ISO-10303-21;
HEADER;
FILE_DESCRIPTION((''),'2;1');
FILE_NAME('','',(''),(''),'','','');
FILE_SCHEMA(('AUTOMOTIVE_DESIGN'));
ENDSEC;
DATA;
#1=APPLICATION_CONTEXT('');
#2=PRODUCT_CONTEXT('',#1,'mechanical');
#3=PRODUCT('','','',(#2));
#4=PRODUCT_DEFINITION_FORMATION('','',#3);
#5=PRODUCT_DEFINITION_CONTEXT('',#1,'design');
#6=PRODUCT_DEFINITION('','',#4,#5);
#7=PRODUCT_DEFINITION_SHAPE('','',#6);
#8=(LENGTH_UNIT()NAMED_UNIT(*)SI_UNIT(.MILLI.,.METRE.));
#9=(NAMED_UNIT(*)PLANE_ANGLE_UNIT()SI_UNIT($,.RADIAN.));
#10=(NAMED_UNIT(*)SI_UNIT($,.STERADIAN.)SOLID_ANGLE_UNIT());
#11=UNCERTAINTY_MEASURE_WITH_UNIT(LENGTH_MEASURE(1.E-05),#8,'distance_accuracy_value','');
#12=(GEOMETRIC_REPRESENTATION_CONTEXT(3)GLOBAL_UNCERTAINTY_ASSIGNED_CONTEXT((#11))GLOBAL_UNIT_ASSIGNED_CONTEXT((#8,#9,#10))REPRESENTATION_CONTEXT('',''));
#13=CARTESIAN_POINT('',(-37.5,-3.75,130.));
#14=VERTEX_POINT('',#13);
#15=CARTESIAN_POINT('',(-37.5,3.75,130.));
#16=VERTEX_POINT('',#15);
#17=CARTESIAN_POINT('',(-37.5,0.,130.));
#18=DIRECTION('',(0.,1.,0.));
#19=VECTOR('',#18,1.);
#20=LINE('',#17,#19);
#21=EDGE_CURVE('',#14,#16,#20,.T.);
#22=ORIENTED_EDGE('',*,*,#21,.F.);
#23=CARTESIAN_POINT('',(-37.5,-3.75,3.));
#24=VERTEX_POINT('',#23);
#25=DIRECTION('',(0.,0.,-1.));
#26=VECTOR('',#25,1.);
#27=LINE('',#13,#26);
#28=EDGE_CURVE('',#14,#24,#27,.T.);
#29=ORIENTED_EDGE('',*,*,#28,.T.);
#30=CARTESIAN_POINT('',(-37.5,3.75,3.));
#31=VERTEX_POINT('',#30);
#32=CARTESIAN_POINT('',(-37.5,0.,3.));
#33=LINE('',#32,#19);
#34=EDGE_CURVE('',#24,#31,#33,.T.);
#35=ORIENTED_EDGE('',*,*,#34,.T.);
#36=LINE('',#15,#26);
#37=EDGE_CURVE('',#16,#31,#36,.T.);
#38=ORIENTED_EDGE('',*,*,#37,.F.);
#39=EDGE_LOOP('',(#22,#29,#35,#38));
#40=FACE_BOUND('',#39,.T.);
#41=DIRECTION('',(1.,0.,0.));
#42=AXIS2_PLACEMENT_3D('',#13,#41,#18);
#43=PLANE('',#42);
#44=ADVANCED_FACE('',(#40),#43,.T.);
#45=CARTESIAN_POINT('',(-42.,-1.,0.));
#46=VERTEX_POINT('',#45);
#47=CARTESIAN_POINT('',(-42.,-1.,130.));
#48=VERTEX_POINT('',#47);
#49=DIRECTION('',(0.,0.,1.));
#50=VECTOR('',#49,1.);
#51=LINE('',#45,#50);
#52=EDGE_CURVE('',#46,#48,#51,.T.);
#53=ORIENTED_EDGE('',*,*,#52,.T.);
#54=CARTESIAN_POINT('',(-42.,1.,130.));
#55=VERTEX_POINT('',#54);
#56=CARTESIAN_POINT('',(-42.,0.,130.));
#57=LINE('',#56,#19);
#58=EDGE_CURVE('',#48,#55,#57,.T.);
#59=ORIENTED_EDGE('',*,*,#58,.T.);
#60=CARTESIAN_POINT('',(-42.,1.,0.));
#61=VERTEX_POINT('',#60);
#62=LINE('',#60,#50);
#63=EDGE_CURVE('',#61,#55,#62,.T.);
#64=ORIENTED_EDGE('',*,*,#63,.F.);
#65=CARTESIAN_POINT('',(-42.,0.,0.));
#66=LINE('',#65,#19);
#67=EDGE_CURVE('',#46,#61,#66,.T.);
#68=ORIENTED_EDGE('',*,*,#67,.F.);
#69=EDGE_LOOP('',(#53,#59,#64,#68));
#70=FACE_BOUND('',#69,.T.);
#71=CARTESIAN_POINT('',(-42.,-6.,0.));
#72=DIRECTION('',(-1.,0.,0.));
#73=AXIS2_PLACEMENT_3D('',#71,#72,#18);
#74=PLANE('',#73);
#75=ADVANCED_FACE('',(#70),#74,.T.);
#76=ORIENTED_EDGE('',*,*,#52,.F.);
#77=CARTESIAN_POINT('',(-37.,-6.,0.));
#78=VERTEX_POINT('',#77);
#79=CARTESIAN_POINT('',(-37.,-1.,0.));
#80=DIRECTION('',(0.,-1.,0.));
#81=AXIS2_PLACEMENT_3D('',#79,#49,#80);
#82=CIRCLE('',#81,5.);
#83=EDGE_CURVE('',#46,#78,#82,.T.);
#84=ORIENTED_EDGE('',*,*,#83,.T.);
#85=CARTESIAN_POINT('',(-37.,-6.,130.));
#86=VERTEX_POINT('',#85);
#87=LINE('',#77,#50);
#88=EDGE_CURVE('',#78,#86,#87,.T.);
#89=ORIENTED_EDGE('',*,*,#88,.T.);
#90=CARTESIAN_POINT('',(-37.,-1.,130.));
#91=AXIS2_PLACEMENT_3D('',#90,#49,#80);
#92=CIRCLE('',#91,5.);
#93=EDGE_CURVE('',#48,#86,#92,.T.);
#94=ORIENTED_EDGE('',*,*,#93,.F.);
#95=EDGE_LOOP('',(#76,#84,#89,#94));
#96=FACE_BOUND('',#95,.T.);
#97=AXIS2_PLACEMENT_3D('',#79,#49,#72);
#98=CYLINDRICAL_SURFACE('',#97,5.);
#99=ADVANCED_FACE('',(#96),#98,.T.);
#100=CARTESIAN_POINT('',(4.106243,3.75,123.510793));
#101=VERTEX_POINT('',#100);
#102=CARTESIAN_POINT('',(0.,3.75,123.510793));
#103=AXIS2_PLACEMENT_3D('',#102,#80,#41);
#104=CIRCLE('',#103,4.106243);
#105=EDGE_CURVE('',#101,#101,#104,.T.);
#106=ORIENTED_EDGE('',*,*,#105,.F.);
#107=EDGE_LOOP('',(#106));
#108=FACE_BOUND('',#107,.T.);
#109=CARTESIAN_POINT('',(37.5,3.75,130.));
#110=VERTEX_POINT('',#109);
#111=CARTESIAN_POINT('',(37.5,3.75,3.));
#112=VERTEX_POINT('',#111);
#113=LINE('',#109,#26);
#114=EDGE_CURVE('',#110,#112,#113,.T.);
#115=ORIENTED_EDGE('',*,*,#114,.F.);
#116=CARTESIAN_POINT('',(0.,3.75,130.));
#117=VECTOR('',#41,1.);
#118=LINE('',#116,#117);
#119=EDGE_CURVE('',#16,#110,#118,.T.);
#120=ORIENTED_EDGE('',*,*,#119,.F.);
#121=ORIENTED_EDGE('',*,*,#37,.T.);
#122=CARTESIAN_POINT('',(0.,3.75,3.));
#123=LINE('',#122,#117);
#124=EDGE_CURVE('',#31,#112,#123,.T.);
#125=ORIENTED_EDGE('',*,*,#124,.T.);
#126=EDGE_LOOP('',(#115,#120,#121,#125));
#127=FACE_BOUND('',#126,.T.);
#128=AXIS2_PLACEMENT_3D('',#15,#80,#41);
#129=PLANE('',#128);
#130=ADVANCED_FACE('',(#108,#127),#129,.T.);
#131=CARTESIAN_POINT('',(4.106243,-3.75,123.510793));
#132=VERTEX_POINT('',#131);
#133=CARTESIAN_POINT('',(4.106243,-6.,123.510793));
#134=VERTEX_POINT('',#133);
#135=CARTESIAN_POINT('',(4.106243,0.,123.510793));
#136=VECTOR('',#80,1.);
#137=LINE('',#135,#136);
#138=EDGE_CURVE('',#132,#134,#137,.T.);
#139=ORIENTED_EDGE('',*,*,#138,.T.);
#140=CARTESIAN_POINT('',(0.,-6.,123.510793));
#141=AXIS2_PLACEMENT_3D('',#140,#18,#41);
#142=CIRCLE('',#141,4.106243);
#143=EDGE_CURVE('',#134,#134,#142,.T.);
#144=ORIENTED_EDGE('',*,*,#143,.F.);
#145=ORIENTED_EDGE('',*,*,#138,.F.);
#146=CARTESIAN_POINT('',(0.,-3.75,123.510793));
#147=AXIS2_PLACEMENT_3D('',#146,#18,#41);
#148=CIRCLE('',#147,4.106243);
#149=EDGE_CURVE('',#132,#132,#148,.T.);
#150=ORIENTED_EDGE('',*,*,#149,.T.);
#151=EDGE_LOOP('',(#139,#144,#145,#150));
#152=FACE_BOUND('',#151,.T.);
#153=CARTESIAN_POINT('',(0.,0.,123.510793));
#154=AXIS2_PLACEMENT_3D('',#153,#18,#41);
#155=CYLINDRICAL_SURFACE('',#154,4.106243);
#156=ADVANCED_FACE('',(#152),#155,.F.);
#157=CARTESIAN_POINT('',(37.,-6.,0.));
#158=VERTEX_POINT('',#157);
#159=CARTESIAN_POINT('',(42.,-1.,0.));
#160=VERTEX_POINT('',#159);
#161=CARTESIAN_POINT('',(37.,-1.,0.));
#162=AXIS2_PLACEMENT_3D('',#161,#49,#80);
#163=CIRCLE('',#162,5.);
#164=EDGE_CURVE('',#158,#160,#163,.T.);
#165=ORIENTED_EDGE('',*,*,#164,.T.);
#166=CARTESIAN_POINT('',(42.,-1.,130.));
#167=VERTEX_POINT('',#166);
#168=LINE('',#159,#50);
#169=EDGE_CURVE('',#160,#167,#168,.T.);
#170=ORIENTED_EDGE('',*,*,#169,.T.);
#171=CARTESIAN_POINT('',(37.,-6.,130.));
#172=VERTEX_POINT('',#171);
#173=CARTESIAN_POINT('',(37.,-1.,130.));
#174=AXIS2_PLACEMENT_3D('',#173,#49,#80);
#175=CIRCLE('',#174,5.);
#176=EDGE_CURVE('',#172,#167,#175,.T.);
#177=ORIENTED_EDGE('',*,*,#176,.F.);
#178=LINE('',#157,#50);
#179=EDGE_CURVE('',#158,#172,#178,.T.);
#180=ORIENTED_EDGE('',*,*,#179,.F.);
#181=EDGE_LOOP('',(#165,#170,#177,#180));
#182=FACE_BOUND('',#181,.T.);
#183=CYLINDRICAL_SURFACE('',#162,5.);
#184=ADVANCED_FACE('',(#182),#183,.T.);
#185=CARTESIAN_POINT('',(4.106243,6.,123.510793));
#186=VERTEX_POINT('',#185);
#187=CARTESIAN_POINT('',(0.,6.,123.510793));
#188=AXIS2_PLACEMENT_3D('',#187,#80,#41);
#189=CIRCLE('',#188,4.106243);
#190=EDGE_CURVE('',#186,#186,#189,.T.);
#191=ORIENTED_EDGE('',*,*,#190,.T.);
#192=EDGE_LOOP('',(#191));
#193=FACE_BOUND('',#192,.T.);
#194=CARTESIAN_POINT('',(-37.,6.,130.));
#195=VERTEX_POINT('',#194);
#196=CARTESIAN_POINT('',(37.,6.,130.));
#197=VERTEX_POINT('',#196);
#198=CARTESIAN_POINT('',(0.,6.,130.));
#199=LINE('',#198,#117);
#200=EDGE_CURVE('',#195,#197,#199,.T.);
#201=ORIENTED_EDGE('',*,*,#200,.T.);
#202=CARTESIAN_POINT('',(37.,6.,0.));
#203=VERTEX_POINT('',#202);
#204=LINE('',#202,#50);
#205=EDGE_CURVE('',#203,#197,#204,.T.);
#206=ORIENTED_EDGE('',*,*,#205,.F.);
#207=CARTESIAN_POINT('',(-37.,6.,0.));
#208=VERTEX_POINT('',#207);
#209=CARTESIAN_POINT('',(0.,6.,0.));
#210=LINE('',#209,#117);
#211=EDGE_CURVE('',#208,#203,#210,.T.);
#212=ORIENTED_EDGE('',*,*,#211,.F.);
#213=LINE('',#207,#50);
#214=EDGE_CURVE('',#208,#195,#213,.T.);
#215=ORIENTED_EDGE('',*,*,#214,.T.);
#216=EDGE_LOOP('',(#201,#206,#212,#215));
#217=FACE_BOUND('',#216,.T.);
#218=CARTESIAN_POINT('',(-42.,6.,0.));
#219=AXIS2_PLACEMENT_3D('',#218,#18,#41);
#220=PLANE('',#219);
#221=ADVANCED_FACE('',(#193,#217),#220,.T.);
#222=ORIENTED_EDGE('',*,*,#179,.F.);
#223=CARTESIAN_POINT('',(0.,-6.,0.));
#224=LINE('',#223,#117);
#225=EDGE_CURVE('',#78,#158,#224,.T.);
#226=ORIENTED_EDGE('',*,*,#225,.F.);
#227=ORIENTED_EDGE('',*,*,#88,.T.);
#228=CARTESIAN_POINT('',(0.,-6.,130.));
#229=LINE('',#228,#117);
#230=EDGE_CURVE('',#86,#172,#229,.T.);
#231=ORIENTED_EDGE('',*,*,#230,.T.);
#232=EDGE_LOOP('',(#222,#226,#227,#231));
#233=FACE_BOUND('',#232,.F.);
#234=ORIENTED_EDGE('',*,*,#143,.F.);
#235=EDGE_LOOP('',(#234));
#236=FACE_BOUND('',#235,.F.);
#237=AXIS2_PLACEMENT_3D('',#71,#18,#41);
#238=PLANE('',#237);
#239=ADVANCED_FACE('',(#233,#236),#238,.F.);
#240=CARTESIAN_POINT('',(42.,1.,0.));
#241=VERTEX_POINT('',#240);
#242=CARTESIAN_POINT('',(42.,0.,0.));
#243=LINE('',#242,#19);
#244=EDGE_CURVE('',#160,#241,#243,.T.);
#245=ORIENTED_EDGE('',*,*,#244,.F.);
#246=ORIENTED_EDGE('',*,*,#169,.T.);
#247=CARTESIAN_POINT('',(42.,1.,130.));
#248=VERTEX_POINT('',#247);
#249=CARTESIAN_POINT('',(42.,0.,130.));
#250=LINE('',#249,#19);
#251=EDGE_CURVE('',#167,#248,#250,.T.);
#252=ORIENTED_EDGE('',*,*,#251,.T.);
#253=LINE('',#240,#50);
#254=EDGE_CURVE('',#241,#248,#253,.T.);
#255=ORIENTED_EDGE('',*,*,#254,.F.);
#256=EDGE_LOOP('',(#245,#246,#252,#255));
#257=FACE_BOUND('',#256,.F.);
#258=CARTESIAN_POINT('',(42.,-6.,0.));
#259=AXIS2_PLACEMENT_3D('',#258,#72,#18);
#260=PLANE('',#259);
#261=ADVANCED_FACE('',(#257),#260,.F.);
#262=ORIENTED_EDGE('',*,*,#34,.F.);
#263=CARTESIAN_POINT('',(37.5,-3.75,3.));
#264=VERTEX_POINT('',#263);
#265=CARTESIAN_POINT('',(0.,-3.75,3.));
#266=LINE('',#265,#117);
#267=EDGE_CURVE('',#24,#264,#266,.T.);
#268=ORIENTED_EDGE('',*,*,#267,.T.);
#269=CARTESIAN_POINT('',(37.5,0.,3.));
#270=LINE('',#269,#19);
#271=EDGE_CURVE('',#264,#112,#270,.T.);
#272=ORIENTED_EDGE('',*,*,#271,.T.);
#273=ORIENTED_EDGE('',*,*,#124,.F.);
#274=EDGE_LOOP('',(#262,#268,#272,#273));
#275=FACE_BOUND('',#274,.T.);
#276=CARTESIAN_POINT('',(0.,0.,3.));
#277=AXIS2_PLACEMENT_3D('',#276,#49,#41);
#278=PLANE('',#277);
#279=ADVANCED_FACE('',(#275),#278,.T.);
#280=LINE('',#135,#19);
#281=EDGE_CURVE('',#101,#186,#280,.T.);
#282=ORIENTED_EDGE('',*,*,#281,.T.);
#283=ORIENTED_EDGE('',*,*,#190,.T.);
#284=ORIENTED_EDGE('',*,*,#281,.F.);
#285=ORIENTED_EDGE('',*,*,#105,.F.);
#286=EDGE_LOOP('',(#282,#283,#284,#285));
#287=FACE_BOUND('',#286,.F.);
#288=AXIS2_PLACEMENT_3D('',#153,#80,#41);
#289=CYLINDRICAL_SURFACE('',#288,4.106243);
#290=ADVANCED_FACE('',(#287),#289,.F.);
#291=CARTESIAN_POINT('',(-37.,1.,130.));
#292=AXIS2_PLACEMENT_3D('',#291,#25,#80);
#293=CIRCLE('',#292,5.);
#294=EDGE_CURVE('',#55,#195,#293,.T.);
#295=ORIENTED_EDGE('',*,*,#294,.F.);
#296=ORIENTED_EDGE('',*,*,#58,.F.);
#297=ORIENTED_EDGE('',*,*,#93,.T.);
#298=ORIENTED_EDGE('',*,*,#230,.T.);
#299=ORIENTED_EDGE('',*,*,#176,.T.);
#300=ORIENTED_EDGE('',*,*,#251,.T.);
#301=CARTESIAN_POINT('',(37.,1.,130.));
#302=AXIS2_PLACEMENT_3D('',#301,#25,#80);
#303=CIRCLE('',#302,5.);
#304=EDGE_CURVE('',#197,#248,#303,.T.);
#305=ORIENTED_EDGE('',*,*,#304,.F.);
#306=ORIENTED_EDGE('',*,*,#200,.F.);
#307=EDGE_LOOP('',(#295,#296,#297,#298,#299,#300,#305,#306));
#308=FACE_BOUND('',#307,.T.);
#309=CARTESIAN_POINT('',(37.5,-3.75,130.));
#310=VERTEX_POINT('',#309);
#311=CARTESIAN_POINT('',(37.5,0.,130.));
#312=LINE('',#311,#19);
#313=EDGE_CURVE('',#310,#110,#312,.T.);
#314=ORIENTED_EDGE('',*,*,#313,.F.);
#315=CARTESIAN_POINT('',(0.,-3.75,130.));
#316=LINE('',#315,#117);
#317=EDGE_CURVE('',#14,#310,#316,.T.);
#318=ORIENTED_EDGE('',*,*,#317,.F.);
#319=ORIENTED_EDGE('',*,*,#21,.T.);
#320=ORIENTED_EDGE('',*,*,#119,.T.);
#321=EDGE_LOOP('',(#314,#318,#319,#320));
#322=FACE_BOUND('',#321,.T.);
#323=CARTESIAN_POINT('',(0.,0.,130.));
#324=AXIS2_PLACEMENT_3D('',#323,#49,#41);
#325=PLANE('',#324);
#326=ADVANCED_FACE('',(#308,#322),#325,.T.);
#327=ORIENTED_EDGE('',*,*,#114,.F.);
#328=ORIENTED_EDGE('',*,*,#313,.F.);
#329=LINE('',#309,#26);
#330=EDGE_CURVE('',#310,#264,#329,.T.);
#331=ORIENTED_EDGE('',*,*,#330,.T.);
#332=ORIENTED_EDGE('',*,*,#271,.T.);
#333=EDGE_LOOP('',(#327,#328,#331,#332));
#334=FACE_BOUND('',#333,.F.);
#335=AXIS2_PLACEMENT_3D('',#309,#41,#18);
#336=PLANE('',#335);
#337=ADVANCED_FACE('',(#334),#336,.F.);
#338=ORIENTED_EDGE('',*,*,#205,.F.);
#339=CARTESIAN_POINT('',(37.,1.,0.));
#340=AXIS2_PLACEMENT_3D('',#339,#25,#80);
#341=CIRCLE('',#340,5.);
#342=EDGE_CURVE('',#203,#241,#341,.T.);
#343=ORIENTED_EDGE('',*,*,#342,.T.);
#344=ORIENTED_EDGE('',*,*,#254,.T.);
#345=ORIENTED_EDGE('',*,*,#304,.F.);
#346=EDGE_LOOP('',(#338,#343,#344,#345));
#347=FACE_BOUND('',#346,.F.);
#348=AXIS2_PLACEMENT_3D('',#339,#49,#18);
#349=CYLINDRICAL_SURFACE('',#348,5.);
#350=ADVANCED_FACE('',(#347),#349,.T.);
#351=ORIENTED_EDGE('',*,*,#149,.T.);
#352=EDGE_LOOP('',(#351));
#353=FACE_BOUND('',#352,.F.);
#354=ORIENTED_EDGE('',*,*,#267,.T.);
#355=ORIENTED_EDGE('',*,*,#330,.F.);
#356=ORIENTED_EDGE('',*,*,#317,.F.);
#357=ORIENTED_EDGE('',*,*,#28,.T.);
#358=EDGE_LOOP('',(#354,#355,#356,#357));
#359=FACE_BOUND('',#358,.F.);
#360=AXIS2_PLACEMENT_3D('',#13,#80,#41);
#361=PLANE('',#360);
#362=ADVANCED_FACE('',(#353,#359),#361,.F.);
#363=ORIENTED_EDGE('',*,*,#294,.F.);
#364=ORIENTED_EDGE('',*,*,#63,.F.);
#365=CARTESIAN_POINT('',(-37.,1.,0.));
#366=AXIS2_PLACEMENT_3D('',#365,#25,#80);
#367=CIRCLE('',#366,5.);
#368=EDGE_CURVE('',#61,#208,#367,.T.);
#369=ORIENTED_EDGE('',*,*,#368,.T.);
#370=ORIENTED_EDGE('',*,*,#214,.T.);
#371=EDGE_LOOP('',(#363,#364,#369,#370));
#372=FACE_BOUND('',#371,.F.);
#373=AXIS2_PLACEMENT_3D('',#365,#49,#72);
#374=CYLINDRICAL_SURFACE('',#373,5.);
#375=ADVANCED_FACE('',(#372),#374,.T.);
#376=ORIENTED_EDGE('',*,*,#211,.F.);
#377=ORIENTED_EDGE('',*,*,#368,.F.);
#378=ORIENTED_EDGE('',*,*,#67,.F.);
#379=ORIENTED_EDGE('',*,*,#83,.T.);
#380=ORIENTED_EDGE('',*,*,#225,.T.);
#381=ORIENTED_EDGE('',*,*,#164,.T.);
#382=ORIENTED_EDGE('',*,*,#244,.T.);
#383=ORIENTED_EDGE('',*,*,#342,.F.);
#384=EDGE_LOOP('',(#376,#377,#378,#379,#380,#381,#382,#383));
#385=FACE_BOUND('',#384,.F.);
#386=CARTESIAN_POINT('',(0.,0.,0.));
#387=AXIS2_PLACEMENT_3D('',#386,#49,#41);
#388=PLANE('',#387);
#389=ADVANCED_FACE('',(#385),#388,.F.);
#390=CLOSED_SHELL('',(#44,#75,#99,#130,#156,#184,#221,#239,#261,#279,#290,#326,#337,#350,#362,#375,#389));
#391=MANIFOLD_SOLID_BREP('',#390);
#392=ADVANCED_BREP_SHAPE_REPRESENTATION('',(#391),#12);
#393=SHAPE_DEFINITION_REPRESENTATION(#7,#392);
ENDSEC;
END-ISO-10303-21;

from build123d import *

# Parameters (mm, degrees)
F0_W          = 84
F0_H          = 12
F1_DEPTH      = 130
F3_W          = 75
F3_H          = 7.5
F4_DEPTH      = 127
F5_R          = 5
F6_R          = 4.1062425904
F7_DEPTH      = 6.001
F7_DEPTH_BACK = 25


with BuildPart() as f1:
    # F0 (on Top) → F1 (new body)
    with BuildSketch(Plane.XY):
        Rectangle(F0_W, F0_H)
    extrude(amount=F1_DEPTH)

    # F3 (on offset) → F4 (cut)
    with BuildSketch(Plane.XY.offset(130)):
        Rectangle(F3_W, F3_H)
    extrude(amount=-F4_DEPTH, mode=Mode.SUBTRACT)

    # F5
    f5_edges = [f1.edges().sort_by_distance(p)[0] for p in [
        (42, -6, 65),
        (42, 6, 65),
        (-42, 6, 65),
        (-42, -6, 65),
    ]]
    fillet(f5_edges, radius=F5_R)

    # F6 (on Front) → F7 (cut, two sides)
    with BuildSketch(Plane.XZ) as f7_sk:
        with Locations((0, 123.5107928514)):
            Circle(F6_R)
    extrude(amount=-F7_DEPTH, mode=Mode.SUBTRACT)
    extrude(f7_sk.sketch, amount=F7_DEPTH_BACK, mode=Mode.SUBTRACT)


solid = f1.part
